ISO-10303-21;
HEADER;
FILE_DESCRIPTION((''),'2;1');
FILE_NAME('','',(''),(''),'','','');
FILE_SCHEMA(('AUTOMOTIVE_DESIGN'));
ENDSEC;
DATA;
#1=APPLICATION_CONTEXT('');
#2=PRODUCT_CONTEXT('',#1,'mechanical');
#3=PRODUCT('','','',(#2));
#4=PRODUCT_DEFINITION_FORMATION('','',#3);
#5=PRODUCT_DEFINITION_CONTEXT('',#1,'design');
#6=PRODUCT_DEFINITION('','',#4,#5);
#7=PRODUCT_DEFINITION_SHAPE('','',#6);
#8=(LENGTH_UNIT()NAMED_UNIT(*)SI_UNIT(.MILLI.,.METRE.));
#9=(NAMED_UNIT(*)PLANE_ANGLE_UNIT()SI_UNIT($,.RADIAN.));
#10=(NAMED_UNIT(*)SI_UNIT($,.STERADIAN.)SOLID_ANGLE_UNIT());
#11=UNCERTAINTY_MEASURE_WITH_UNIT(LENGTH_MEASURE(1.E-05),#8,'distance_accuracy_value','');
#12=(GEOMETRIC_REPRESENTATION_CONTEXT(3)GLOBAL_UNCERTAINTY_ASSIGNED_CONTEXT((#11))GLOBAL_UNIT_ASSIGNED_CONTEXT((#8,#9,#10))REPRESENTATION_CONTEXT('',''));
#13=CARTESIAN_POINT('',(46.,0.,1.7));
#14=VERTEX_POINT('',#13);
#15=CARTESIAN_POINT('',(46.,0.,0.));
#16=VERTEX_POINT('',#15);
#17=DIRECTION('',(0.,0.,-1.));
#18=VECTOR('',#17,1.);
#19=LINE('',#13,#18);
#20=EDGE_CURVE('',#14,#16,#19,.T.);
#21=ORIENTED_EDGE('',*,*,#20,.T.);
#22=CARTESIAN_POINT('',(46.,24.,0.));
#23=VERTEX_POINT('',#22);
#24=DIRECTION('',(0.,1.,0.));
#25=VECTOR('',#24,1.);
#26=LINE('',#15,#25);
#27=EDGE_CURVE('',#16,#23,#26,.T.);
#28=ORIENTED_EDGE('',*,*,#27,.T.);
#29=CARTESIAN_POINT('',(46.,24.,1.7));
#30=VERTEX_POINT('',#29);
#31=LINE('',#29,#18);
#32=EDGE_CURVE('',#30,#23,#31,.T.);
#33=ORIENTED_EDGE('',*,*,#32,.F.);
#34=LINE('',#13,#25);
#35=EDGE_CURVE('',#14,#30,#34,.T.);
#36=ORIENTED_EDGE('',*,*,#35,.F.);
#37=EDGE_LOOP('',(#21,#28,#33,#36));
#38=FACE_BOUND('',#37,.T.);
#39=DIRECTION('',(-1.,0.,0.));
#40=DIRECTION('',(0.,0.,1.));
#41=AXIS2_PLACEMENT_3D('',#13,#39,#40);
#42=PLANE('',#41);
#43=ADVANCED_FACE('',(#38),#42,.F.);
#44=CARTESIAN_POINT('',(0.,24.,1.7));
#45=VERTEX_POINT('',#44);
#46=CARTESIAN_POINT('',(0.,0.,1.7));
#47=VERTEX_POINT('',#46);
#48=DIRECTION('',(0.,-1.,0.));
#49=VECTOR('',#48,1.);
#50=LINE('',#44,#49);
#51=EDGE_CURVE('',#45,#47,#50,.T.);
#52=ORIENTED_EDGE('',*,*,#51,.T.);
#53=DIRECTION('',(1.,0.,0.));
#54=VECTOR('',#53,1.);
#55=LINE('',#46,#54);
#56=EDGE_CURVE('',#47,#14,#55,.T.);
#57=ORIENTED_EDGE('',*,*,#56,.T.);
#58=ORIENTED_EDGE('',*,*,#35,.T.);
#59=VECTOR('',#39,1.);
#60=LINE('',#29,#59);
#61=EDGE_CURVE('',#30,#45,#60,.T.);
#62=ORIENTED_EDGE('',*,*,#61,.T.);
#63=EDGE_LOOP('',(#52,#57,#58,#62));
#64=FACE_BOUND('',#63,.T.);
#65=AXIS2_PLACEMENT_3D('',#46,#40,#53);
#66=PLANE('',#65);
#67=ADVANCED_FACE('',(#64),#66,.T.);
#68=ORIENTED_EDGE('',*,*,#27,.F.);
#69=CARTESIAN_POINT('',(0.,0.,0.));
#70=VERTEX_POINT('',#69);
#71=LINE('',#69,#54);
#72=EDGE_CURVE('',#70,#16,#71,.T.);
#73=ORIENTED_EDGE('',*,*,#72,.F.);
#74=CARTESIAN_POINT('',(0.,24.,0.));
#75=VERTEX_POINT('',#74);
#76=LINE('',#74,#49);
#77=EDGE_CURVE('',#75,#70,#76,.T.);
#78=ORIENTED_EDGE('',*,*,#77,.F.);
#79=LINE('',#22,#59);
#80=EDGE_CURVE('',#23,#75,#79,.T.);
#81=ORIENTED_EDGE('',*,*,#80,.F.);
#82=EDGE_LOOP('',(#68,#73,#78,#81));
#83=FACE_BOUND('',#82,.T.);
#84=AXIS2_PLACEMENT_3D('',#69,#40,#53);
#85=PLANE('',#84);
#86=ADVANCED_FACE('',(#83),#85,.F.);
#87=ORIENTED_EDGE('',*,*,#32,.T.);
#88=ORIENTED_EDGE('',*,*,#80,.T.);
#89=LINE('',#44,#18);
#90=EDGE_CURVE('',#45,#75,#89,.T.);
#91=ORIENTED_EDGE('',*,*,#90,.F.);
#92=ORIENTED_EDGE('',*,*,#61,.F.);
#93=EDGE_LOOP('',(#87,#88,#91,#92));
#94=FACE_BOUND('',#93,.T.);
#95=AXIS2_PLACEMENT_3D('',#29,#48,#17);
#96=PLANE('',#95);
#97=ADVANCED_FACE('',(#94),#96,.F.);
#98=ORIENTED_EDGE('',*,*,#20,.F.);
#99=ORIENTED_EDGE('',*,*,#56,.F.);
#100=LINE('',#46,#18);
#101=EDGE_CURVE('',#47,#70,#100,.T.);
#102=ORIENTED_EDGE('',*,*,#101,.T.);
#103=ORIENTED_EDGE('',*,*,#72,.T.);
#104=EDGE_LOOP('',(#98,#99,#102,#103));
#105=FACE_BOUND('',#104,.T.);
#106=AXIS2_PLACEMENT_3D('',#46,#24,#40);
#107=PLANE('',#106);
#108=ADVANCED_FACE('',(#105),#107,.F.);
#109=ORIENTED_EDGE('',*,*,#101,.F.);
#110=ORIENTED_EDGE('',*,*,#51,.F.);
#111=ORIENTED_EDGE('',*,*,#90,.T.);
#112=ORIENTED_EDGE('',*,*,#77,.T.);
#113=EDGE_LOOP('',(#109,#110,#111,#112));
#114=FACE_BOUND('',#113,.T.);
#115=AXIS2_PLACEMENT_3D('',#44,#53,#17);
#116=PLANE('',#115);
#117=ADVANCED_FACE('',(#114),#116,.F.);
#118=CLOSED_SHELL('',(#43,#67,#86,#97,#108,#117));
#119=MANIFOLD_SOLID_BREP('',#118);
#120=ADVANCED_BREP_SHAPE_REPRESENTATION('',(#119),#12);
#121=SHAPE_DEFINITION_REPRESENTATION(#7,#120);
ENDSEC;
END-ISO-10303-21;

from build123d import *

# Parameters (mm, degrees)
SKETCH_1_W         = 46
SKETCH_1_H         = 24
BLOCKEXTRUDE_DEPTH = 1.7


with BuildPart() as part:
    # 草图1 → BlockExtrude (new body)
    with BuildSketch(Plane.XY):
        with Locations((23, 12)):
            Rectangle(SKETCH_1_W, SKETCH_1_H)
    extrude(amount=BLOCKEXTRUDE_DEPTH)


solid = part.part
